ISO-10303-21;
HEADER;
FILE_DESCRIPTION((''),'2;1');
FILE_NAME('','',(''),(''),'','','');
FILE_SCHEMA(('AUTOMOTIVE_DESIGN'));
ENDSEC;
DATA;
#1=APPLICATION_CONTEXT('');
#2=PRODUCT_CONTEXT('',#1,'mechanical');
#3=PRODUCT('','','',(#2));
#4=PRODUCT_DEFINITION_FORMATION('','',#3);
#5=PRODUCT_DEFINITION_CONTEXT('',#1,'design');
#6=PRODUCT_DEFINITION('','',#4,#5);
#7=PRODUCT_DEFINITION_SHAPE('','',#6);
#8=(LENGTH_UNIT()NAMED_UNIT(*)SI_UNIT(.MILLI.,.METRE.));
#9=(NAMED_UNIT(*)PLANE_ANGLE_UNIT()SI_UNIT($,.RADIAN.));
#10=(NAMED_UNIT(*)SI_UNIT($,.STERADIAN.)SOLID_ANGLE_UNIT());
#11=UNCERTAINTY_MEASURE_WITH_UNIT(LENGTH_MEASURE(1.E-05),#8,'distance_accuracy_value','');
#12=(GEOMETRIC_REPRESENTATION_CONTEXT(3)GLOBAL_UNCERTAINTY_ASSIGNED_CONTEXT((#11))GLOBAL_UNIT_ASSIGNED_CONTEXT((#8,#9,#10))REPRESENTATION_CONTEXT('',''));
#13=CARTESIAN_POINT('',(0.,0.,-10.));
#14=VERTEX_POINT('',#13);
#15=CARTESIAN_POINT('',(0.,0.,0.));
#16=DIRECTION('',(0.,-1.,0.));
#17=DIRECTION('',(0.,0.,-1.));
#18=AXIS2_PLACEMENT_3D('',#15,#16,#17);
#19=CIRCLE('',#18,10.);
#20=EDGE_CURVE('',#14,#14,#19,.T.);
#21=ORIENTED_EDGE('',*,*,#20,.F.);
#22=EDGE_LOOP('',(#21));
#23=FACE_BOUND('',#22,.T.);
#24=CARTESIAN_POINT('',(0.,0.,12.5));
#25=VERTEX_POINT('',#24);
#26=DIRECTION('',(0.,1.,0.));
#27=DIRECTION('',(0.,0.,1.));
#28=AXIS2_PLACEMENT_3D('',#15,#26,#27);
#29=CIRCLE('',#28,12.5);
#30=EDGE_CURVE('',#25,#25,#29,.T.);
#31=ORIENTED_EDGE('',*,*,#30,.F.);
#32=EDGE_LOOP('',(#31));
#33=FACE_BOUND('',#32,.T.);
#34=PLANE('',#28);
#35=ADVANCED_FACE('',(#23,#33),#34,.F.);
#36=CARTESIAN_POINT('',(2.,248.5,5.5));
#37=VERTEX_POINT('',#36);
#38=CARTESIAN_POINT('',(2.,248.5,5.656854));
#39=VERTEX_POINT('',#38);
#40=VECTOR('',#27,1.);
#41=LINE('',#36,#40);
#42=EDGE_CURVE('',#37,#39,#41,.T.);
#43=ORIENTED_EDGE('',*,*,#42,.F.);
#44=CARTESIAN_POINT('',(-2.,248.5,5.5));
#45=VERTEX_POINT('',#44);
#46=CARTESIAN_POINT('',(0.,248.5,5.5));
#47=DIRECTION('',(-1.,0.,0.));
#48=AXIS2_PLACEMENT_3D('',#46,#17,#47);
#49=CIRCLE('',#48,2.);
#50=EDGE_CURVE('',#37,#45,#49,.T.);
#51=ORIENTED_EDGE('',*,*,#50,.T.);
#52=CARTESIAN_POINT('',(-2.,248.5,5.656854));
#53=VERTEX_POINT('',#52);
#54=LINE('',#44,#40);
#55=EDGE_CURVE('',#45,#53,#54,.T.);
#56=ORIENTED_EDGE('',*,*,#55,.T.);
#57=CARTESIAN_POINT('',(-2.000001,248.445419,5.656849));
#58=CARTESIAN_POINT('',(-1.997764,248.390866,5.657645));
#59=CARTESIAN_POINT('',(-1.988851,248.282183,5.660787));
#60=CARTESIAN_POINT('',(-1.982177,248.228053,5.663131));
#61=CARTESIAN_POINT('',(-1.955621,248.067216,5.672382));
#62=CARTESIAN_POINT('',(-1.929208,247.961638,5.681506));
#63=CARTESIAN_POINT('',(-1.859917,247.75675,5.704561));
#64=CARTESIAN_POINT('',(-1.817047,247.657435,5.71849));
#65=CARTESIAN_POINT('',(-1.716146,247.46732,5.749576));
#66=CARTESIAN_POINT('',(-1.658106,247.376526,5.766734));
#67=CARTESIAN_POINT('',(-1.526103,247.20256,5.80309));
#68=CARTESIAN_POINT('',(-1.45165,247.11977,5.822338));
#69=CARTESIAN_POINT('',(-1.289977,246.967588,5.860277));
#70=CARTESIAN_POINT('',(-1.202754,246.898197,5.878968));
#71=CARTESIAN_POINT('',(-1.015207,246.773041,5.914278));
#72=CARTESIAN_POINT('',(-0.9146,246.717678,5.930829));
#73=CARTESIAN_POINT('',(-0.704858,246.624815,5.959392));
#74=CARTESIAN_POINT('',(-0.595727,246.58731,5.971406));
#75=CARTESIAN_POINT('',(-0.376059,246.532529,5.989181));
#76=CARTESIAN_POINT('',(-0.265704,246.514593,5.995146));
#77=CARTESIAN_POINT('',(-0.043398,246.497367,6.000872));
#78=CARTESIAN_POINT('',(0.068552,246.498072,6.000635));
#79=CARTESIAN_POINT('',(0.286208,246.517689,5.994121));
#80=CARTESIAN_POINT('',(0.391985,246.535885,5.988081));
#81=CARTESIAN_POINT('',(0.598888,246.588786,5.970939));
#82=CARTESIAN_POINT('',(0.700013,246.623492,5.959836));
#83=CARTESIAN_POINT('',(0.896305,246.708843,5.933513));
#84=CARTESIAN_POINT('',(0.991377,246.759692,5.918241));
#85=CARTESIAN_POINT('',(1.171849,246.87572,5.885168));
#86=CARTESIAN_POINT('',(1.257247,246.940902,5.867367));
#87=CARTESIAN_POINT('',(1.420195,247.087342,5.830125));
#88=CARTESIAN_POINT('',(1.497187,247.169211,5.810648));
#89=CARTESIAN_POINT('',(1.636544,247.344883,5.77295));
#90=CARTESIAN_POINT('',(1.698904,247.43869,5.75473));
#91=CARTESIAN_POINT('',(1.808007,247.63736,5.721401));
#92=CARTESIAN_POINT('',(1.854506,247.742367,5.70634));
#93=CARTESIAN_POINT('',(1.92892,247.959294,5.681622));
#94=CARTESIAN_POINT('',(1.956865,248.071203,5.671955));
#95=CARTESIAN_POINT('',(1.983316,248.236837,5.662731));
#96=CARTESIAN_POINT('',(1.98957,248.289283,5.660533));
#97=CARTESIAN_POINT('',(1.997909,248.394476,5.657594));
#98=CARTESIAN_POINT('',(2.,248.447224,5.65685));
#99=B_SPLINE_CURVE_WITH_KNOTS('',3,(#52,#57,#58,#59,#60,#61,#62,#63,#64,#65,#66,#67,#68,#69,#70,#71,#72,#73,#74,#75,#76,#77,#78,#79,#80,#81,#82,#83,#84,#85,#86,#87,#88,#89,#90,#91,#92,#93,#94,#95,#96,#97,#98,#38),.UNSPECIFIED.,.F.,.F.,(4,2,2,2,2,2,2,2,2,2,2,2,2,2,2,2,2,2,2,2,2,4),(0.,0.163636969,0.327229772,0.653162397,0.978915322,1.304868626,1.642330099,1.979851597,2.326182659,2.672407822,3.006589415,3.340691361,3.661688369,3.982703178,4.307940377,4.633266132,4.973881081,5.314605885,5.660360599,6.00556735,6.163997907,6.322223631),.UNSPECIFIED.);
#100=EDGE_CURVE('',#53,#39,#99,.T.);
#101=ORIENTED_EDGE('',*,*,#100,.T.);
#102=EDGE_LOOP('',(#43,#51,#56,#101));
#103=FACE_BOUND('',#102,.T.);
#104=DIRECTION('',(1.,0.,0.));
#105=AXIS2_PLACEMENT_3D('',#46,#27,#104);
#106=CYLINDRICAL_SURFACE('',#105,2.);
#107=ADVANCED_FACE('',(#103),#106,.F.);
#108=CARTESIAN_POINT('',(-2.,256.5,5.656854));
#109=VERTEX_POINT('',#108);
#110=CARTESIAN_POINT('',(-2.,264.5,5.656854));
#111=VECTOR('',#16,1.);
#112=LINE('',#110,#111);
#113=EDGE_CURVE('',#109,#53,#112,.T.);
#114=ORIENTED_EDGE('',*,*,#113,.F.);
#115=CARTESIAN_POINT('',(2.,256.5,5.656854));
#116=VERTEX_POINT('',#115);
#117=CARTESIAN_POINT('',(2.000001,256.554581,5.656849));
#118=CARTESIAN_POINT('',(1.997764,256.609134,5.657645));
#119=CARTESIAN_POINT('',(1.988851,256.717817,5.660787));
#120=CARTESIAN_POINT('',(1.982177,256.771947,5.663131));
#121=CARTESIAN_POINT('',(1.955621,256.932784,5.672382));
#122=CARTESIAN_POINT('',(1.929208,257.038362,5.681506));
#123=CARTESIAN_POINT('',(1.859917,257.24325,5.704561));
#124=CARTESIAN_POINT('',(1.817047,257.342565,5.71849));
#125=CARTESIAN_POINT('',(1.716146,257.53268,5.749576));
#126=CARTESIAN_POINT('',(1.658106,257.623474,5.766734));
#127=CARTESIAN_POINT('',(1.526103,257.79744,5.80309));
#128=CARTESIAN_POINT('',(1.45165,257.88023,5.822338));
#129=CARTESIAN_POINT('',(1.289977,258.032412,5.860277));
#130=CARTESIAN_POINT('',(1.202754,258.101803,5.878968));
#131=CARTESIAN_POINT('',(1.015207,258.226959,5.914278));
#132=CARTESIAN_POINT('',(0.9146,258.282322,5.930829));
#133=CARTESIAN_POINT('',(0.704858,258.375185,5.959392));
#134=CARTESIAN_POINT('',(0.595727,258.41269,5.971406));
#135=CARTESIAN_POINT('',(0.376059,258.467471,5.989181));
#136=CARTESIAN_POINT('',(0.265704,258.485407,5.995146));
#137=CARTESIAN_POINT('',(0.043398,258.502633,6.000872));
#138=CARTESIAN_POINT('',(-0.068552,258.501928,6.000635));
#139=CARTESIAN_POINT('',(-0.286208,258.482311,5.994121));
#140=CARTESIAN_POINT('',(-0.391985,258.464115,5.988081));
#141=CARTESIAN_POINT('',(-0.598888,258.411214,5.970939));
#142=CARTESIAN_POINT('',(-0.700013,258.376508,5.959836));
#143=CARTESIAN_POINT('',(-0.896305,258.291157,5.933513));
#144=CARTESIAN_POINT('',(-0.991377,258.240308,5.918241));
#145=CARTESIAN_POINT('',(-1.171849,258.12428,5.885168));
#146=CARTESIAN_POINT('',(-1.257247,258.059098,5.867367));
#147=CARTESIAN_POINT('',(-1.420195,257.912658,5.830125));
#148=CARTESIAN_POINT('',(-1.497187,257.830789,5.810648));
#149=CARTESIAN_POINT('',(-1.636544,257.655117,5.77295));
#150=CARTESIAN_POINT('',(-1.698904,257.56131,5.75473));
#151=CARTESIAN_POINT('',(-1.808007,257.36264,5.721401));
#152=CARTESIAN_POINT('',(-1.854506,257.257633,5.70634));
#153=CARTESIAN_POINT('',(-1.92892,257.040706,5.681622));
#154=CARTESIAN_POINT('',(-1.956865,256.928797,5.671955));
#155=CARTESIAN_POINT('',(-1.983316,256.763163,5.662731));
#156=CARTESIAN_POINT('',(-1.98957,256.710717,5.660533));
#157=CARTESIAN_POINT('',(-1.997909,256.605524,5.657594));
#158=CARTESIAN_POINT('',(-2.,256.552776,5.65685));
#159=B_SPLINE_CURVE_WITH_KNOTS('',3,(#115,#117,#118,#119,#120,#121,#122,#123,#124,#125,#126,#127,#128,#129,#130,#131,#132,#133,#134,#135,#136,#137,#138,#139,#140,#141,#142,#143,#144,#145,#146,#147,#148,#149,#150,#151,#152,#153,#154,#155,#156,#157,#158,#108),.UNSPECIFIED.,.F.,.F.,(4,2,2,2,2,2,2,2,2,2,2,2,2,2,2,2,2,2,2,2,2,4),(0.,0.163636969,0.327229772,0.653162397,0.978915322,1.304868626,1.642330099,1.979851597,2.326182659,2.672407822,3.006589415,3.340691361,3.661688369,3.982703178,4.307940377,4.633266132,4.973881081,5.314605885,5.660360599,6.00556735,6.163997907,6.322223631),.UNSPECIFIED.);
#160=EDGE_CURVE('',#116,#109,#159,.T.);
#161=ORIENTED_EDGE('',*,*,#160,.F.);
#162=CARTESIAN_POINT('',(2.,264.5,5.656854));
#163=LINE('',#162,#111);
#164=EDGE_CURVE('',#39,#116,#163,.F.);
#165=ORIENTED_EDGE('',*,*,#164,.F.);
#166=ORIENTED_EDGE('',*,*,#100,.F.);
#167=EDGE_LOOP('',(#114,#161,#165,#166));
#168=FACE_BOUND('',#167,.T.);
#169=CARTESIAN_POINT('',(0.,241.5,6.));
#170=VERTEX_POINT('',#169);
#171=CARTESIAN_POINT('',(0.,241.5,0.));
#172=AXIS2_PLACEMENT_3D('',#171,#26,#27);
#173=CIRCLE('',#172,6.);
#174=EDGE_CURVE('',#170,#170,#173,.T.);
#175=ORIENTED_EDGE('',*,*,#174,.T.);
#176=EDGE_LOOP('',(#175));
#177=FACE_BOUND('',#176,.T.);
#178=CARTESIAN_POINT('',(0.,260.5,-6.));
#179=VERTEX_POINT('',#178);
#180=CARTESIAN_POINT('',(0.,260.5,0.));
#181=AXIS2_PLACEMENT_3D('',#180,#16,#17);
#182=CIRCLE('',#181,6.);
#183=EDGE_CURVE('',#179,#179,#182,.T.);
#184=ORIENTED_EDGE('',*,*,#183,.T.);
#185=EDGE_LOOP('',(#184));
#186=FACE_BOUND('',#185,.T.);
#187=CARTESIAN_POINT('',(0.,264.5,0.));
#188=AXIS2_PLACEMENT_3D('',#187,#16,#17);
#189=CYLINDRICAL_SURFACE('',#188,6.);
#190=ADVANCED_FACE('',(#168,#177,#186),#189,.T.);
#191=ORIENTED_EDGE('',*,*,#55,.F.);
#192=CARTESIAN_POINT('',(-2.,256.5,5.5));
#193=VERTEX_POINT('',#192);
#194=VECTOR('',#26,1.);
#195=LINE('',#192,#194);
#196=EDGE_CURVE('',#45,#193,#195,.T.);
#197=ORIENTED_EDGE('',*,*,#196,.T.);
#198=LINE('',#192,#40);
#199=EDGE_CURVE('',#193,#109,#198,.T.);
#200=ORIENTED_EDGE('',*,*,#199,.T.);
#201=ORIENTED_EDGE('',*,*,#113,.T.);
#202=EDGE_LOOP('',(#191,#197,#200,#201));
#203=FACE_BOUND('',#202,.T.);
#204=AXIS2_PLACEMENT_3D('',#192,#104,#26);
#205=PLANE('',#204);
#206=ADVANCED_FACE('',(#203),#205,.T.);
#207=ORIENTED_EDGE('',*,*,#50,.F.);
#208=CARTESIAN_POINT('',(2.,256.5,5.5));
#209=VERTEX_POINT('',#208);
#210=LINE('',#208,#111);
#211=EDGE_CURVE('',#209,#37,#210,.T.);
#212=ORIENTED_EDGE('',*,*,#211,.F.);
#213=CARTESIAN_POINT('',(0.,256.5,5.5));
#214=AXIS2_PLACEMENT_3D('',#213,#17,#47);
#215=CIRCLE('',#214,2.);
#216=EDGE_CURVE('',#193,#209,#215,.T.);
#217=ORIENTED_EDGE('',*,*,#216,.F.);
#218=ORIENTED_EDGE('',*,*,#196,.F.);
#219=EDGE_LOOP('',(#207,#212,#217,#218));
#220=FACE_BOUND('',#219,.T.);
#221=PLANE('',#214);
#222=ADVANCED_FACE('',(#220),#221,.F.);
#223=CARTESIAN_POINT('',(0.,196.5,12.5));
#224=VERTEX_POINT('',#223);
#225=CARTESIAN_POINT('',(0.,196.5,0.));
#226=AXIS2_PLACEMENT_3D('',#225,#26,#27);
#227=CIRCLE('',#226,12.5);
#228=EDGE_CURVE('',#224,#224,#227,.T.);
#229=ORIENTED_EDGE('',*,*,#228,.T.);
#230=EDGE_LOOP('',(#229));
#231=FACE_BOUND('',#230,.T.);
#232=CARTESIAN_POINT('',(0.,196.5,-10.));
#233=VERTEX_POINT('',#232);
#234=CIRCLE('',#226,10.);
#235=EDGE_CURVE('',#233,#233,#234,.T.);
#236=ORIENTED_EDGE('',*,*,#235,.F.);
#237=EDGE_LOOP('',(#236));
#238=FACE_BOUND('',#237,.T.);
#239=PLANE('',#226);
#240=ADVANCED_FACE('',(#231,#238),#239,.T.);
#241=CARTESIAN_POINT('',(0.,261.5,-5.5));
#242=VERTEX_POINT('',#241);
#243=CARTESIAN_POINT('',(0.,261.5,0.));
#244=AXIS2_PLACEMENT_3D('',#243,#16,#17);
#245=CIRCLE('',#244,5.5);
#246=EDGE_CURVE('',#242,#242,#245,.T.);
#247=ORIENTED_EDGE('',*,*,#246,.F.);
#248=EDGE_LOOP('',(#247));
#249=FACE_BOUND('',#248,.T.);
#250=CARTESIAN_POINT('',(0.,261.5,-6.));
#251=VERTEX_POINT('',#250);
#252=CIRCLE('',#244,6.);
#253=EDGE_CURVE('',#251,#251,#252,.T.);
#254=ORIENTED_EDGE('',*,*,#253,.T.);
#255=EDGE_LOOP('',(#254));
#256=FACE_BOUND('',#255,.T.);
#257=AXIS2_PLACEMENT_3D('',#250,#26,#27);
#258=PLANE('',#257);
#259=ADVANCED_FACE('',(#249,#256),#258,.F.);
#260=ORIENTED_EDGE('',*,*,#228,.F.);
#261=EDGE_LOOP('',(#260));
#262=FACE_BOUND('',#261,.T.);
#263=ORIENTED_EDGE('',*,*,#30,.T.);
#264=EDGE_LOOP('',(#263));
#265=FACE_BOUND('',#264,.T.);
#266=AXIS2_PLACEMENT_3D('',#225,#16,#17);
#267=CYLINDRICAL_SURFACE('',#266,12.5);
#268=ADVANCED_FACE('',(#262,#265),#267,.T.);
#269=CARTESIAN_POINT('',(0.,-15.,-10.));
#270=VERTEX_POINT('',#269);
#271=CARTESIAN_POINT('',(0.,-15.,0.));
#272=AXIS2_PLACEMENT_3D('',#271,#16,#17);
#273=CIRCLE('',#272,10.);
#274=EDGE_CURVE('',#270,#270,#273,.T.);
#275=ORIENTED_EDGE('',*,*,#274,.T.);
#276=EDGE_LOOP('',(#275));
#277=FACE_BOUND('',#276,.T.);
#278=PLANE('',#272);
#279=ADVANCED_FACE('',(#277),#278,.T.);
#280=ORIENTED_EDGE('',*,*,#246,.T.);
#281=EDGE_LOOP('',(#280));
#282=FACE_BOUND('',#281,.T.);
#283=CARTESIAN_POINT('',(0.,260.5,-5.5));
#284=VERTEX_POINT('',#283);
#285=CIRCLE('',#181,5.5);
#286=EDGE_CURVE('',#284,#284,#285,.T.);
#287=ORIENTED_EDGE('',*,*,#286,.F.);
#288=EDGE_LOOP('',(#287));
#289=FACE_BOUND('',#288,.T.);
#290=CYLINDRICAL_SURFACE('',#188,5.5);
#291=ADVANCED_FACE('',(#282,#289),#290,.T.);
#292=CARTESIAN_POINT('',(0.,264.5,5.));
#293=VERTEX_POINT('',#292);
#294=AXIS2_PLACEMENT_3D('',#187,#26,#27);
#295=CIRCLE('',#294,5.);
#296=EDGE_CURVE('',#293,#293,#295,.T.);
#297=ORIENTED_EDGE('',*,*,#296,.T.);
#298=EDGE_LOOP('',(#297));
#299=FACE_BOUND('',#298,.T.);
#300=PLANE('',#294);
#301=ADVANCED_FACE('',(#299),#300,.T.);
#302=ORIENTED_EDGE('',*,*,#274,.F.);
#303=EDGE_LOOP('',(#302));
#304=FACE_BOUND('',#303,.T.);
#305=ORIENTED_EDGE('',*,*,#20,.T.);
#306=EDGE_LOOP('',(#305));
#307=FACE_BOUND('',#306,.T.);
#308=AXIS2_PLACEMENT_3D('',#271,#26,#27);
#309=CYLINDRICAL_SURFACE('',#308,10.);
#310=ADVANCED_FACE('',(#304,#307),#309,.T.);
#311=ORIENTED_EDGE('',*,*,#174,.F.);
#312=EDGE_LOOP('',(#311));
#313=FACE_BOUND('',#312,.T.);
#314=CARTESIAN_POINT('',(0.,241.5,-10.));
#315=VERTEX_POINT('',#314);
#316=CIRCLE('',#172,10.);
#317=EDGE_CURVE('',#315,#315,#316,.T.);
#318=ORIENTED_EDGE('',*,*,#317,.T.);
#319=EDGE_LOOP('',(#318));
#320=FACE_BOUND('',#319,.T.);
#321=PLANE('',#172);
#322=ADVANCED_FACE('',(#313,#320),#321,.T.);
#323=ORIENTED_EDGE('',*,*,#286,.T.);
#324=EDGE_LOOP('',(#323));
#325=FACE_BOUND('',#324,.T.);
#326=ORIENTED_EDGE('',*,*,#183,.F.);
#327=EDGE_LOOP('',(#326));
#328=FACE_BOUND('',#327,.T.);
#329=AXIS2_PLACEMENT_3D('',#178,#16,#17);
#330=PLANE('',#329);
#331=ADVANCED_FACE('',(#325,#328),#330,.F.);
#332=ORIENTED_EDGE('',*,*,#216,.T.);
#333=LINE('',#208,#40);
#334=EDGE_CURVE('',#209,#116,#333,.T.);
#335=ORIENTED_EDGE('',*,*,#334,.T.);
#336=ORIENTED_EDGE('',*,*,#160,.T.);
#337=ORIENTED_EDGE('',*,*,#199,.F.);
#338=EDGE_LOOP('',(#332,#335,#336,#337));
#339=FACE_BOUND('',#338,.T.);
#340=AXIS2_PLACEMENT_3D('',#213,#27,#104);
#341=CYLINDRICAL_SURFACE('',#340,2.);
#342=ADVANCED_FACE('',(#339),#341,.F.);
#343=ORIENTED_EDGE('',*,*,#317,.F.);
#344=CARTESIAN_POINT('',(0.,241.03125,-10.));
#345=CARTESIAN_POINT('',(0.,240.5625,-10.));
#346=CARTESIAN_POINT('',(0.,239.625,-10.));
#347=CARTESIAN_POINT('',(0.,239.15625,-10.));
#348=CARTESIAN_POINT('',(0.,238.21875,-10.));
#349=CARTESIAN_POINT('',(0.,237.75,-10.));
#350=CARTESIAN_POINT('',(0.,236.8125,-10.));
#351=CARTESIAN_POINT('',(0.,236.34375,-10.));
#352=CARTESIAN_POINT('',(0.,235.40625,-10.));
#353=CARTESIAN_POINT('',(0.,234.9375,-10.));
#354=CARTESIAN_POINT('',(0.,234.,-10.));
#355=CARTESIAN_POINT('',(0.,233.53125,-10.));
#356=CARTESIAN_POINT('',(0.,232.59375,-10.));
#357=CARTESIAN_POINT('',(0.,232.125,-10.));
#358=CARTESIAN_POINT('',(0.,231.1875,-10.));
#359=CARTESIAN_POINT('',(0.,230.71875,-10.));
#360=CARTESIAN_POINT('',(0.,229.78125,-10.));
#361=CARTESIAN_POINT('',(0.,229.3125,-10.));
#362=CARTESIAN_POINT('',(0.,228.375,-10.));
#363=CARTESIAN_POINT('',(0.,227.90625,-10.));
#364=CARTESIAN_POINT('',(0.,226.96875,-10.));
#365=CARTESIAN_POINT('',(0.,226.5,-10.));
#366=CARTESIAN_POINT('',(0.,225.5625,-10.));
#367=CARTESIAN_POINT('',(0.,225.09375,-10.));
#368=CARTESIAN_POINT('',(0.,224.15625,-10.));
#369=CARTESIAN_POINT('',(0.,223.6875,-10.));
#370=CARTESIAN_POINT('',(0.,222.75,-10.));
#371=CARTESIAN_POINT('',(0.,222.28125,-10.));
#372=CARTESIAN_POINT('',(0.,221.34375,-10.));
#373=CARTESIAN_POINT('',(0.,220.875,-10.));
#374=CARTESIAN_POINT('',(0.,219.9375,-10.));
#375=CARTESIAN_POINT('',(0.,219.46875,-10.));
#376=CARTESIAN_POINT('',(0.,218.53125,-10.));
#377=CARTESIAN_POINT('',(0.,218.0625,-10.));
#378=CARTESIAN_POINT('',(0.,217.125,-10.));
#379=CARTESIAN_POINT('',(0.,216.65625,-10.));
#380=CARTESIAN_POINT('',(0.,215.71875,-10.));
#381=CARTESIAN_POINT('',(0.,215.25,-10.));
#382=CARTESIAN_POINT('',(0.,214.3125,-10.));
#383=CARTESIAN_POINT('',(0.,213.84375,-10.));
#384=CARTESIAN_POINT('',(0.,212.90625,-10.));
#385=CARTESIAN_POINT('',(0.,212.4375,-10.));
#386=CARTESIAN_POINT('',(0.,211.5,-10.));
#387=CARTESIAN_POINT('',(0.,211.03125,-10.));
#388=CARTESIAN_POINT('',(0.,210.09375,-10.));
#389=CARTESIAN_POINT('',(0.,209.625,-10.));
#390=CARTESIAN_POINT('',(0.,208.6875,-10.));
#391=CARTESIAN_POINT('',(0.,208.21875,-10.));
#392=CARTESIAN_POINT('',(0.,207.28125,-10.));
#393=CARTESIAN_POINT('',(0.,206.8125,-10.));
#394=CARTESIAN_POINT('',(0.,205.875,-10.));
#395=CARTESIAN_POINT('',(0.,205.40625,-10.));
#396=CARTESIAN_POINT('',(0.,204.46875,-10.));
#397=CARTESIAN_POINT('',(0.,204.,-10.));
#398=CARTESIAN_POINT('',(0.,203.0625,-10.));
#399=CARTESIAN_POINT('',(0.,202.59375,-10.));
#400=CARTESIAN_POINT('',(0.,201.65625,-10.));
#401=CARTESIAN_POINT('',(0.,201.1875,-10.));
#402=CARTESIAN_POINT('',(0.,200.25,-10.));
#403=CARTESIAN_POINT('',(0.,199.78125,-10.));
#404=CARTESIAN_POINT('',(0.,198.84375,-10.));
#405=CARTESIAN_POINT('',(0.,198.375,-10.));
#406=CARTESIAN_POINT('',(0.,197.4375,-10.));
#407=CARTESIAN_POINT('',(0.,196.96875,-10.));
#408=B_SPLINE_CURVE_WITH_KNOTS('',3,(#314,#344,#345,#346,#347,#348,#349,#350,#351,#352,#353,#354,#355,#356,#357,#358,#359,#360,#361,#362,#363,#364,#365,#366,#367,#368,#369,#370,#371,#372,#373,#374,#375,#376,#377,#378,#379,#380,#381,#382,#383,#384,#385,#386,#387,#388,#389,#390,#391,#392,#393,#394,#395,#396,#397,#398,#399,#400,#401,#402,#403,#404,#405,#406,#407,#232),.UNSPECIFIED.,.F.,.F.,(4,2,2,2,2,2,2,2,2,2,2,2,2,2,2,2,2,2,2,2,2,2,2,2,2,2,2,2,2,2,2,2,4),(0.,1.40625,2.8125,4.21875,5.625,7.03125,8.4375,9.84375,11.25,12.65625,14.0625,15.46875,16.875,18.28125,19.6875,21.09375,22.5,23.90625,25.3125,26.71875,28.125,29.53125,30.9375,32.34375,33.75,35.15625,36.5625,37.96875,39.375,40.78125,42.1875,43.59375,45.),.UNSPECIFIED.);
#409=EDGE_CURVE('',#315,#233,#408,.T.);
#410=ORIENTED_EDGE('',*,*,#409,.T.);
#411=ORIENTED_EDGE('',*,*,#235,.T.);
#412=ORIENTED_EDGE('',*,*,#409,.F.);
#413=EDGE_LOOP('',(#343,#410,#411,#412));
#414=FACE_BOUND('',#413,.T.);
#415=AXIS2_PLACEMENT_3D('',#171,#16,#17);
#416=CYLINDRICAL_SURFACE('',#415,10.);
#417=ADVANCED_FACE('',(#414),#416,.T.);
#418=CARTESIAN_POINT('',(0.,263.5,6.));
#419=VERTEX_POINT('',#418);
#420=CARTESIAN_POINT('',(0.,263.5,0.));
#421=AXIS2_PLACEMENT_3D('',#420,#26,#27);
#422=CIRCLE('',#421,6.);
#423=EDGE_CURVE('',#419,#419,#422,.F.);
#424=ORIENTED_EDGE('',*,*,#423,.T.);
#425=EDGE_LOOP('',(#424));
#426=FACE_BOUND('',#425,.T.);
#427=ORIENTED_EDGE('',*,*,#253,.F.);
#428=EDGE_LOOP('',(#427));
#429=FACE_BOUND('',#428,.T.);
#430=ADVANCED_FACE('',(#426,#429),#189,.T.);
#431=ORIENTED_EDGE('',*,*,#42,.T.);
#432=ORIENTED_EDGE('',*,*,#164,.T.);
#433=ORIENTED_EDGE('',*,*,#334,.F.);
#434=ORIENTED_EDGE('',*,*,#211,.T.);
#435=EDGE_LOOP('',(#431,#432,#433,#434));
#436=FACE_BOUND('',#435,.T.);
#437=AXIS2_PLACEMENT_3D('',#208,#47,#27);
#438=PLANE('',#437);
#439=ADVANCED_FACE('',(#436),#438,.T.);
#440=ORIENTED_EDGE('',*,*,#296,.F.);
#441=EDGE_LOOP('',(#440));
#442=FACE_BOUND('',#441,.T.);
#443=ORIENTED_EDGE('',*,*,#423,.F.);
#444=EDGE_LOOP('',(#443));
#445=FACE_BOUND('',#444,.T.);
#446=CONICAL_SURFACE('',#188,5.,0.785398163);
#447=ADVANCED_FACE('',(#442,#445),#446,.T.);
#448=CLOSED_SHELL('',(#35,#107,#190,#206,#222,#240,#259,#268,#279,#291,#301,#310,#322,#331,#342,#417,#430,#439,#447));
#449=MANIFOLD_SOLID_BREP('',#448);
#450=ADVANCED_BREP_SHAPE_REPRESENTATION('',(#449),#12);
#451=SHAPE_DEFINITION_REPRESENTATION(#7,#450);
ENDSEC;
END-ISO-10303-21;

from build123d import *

# Parameters (mm, degrees)
SKETCH_1_R          = 12.5
EXTRUDE_1_DEPTH     = 196.5
SKETCH_2_R          = 10
EXTRUDE_2_DEPTH     = 15
EXTRUDE_START       = 45
SKETCH_3_R          = 10
EXTRUDE_3_DEPTH     = 45
SKETCH_4_R          = 6
EXTRUDE_4_DEPTH     = 23
CUT_EXTRUDE_1_DEPTH = 4
CHAMFER_1_SIZE      = 1
SKETCH_6_W          = 0.5
SKETCH_6_H          = 1


with BuildPart() as part:
    # 草图1 → 凸台-拉伸1 (new body)
    with BuildSketch(Plane(origin=(0, 0, 0), x_dir=(1, 0, 0), z_dir=(0, 1, 0))):
        with Locations(Location((0, 0, 0), (0, 0, 270))):
            Circle(SKETCH_1_R)
    extrude(amount=EXTRUDE_1_DEPTH)

    # 草图2 → 凸台-拉伸2 (add)
    with BuildSketch(Plane.XZ):
        with Locations(Location((0, 0, 0), (0, 0, 270))):
            Circle(SKETCH_2_R)
    extrude(amount=EXTRUDE_2_DEPTH)

    # 草图3 → 凸台-拉伸3 (add)
    with BuildSketch(Plane(origin=(0, 196.5, 0), x_dir=(1, 0, 0), z_dir=(0, 1, 0)).offset(EXTRUDE_START)):
        with Locations(Location((0, 0, 0), (0, 0, 90))):
            Circle(SKETCH_3_R)
    extrude(amount=-EXTRUDE_3_DEPTH)

    # 草图4 → 凸台-拉伸4 (add)
    with BuildSketch(Plane(origin=(0, 241.5, 0), x_dir=(1, 0, 0), z_dir=(0, 1, 0))):
        with Locations(Location((0, 0, 0), (0, 0, 270))):
            Circle(SKETCH_4_R)
    extrude(amount=EXTRUDE_4_DEPTH)

    # 草图5 → 切除-拉伸1 (cut)
    with BuildSketch(Plane(origin=(0, 0, 9.5), x_dir=(-1, 0, 0), z_dir=(0, 0, -1))):
        with BuildLine():
            Line((2, 256.5), (2, 248.5))
            ThreePointArc((2, 248.5), (0, 246.5), (-2, 248.5))
            Line((-2, 248.5), (-2, 256.5))
            ThreePointArc((-2, 256.5), (0, 258.5), (2, 256.5))
        make_face()
    extrude(amount=CUT_EXTRUDE_1_DEPTH, mode=Mode.SUBTRACT)

    # 倒角1
    chamfer_1_edges = [part.edges().sort_by_distance(p)[0] for p in [
        (0, 264.5, -6),
    ]]
    chamfer(chamfer_1_edges, length=CHAMFER_1_SIZE)

    # 草图6 → 切除-旋转1 (revolve, cut)
    with BuildSketch(Plane(origin=(0, 0, 0), x_dir=(0, 0, -1), z_dir=(1, 0, 0))):
        with Locations((5.75, 261)):
            Rectangle(SKETCH_6_W, SKETCH_6_H)
    revolve(axis=Axis((0, 264.5, 0), (0, 1, 0)), mode=Mode.SUBTRACT)


solid = part.part
